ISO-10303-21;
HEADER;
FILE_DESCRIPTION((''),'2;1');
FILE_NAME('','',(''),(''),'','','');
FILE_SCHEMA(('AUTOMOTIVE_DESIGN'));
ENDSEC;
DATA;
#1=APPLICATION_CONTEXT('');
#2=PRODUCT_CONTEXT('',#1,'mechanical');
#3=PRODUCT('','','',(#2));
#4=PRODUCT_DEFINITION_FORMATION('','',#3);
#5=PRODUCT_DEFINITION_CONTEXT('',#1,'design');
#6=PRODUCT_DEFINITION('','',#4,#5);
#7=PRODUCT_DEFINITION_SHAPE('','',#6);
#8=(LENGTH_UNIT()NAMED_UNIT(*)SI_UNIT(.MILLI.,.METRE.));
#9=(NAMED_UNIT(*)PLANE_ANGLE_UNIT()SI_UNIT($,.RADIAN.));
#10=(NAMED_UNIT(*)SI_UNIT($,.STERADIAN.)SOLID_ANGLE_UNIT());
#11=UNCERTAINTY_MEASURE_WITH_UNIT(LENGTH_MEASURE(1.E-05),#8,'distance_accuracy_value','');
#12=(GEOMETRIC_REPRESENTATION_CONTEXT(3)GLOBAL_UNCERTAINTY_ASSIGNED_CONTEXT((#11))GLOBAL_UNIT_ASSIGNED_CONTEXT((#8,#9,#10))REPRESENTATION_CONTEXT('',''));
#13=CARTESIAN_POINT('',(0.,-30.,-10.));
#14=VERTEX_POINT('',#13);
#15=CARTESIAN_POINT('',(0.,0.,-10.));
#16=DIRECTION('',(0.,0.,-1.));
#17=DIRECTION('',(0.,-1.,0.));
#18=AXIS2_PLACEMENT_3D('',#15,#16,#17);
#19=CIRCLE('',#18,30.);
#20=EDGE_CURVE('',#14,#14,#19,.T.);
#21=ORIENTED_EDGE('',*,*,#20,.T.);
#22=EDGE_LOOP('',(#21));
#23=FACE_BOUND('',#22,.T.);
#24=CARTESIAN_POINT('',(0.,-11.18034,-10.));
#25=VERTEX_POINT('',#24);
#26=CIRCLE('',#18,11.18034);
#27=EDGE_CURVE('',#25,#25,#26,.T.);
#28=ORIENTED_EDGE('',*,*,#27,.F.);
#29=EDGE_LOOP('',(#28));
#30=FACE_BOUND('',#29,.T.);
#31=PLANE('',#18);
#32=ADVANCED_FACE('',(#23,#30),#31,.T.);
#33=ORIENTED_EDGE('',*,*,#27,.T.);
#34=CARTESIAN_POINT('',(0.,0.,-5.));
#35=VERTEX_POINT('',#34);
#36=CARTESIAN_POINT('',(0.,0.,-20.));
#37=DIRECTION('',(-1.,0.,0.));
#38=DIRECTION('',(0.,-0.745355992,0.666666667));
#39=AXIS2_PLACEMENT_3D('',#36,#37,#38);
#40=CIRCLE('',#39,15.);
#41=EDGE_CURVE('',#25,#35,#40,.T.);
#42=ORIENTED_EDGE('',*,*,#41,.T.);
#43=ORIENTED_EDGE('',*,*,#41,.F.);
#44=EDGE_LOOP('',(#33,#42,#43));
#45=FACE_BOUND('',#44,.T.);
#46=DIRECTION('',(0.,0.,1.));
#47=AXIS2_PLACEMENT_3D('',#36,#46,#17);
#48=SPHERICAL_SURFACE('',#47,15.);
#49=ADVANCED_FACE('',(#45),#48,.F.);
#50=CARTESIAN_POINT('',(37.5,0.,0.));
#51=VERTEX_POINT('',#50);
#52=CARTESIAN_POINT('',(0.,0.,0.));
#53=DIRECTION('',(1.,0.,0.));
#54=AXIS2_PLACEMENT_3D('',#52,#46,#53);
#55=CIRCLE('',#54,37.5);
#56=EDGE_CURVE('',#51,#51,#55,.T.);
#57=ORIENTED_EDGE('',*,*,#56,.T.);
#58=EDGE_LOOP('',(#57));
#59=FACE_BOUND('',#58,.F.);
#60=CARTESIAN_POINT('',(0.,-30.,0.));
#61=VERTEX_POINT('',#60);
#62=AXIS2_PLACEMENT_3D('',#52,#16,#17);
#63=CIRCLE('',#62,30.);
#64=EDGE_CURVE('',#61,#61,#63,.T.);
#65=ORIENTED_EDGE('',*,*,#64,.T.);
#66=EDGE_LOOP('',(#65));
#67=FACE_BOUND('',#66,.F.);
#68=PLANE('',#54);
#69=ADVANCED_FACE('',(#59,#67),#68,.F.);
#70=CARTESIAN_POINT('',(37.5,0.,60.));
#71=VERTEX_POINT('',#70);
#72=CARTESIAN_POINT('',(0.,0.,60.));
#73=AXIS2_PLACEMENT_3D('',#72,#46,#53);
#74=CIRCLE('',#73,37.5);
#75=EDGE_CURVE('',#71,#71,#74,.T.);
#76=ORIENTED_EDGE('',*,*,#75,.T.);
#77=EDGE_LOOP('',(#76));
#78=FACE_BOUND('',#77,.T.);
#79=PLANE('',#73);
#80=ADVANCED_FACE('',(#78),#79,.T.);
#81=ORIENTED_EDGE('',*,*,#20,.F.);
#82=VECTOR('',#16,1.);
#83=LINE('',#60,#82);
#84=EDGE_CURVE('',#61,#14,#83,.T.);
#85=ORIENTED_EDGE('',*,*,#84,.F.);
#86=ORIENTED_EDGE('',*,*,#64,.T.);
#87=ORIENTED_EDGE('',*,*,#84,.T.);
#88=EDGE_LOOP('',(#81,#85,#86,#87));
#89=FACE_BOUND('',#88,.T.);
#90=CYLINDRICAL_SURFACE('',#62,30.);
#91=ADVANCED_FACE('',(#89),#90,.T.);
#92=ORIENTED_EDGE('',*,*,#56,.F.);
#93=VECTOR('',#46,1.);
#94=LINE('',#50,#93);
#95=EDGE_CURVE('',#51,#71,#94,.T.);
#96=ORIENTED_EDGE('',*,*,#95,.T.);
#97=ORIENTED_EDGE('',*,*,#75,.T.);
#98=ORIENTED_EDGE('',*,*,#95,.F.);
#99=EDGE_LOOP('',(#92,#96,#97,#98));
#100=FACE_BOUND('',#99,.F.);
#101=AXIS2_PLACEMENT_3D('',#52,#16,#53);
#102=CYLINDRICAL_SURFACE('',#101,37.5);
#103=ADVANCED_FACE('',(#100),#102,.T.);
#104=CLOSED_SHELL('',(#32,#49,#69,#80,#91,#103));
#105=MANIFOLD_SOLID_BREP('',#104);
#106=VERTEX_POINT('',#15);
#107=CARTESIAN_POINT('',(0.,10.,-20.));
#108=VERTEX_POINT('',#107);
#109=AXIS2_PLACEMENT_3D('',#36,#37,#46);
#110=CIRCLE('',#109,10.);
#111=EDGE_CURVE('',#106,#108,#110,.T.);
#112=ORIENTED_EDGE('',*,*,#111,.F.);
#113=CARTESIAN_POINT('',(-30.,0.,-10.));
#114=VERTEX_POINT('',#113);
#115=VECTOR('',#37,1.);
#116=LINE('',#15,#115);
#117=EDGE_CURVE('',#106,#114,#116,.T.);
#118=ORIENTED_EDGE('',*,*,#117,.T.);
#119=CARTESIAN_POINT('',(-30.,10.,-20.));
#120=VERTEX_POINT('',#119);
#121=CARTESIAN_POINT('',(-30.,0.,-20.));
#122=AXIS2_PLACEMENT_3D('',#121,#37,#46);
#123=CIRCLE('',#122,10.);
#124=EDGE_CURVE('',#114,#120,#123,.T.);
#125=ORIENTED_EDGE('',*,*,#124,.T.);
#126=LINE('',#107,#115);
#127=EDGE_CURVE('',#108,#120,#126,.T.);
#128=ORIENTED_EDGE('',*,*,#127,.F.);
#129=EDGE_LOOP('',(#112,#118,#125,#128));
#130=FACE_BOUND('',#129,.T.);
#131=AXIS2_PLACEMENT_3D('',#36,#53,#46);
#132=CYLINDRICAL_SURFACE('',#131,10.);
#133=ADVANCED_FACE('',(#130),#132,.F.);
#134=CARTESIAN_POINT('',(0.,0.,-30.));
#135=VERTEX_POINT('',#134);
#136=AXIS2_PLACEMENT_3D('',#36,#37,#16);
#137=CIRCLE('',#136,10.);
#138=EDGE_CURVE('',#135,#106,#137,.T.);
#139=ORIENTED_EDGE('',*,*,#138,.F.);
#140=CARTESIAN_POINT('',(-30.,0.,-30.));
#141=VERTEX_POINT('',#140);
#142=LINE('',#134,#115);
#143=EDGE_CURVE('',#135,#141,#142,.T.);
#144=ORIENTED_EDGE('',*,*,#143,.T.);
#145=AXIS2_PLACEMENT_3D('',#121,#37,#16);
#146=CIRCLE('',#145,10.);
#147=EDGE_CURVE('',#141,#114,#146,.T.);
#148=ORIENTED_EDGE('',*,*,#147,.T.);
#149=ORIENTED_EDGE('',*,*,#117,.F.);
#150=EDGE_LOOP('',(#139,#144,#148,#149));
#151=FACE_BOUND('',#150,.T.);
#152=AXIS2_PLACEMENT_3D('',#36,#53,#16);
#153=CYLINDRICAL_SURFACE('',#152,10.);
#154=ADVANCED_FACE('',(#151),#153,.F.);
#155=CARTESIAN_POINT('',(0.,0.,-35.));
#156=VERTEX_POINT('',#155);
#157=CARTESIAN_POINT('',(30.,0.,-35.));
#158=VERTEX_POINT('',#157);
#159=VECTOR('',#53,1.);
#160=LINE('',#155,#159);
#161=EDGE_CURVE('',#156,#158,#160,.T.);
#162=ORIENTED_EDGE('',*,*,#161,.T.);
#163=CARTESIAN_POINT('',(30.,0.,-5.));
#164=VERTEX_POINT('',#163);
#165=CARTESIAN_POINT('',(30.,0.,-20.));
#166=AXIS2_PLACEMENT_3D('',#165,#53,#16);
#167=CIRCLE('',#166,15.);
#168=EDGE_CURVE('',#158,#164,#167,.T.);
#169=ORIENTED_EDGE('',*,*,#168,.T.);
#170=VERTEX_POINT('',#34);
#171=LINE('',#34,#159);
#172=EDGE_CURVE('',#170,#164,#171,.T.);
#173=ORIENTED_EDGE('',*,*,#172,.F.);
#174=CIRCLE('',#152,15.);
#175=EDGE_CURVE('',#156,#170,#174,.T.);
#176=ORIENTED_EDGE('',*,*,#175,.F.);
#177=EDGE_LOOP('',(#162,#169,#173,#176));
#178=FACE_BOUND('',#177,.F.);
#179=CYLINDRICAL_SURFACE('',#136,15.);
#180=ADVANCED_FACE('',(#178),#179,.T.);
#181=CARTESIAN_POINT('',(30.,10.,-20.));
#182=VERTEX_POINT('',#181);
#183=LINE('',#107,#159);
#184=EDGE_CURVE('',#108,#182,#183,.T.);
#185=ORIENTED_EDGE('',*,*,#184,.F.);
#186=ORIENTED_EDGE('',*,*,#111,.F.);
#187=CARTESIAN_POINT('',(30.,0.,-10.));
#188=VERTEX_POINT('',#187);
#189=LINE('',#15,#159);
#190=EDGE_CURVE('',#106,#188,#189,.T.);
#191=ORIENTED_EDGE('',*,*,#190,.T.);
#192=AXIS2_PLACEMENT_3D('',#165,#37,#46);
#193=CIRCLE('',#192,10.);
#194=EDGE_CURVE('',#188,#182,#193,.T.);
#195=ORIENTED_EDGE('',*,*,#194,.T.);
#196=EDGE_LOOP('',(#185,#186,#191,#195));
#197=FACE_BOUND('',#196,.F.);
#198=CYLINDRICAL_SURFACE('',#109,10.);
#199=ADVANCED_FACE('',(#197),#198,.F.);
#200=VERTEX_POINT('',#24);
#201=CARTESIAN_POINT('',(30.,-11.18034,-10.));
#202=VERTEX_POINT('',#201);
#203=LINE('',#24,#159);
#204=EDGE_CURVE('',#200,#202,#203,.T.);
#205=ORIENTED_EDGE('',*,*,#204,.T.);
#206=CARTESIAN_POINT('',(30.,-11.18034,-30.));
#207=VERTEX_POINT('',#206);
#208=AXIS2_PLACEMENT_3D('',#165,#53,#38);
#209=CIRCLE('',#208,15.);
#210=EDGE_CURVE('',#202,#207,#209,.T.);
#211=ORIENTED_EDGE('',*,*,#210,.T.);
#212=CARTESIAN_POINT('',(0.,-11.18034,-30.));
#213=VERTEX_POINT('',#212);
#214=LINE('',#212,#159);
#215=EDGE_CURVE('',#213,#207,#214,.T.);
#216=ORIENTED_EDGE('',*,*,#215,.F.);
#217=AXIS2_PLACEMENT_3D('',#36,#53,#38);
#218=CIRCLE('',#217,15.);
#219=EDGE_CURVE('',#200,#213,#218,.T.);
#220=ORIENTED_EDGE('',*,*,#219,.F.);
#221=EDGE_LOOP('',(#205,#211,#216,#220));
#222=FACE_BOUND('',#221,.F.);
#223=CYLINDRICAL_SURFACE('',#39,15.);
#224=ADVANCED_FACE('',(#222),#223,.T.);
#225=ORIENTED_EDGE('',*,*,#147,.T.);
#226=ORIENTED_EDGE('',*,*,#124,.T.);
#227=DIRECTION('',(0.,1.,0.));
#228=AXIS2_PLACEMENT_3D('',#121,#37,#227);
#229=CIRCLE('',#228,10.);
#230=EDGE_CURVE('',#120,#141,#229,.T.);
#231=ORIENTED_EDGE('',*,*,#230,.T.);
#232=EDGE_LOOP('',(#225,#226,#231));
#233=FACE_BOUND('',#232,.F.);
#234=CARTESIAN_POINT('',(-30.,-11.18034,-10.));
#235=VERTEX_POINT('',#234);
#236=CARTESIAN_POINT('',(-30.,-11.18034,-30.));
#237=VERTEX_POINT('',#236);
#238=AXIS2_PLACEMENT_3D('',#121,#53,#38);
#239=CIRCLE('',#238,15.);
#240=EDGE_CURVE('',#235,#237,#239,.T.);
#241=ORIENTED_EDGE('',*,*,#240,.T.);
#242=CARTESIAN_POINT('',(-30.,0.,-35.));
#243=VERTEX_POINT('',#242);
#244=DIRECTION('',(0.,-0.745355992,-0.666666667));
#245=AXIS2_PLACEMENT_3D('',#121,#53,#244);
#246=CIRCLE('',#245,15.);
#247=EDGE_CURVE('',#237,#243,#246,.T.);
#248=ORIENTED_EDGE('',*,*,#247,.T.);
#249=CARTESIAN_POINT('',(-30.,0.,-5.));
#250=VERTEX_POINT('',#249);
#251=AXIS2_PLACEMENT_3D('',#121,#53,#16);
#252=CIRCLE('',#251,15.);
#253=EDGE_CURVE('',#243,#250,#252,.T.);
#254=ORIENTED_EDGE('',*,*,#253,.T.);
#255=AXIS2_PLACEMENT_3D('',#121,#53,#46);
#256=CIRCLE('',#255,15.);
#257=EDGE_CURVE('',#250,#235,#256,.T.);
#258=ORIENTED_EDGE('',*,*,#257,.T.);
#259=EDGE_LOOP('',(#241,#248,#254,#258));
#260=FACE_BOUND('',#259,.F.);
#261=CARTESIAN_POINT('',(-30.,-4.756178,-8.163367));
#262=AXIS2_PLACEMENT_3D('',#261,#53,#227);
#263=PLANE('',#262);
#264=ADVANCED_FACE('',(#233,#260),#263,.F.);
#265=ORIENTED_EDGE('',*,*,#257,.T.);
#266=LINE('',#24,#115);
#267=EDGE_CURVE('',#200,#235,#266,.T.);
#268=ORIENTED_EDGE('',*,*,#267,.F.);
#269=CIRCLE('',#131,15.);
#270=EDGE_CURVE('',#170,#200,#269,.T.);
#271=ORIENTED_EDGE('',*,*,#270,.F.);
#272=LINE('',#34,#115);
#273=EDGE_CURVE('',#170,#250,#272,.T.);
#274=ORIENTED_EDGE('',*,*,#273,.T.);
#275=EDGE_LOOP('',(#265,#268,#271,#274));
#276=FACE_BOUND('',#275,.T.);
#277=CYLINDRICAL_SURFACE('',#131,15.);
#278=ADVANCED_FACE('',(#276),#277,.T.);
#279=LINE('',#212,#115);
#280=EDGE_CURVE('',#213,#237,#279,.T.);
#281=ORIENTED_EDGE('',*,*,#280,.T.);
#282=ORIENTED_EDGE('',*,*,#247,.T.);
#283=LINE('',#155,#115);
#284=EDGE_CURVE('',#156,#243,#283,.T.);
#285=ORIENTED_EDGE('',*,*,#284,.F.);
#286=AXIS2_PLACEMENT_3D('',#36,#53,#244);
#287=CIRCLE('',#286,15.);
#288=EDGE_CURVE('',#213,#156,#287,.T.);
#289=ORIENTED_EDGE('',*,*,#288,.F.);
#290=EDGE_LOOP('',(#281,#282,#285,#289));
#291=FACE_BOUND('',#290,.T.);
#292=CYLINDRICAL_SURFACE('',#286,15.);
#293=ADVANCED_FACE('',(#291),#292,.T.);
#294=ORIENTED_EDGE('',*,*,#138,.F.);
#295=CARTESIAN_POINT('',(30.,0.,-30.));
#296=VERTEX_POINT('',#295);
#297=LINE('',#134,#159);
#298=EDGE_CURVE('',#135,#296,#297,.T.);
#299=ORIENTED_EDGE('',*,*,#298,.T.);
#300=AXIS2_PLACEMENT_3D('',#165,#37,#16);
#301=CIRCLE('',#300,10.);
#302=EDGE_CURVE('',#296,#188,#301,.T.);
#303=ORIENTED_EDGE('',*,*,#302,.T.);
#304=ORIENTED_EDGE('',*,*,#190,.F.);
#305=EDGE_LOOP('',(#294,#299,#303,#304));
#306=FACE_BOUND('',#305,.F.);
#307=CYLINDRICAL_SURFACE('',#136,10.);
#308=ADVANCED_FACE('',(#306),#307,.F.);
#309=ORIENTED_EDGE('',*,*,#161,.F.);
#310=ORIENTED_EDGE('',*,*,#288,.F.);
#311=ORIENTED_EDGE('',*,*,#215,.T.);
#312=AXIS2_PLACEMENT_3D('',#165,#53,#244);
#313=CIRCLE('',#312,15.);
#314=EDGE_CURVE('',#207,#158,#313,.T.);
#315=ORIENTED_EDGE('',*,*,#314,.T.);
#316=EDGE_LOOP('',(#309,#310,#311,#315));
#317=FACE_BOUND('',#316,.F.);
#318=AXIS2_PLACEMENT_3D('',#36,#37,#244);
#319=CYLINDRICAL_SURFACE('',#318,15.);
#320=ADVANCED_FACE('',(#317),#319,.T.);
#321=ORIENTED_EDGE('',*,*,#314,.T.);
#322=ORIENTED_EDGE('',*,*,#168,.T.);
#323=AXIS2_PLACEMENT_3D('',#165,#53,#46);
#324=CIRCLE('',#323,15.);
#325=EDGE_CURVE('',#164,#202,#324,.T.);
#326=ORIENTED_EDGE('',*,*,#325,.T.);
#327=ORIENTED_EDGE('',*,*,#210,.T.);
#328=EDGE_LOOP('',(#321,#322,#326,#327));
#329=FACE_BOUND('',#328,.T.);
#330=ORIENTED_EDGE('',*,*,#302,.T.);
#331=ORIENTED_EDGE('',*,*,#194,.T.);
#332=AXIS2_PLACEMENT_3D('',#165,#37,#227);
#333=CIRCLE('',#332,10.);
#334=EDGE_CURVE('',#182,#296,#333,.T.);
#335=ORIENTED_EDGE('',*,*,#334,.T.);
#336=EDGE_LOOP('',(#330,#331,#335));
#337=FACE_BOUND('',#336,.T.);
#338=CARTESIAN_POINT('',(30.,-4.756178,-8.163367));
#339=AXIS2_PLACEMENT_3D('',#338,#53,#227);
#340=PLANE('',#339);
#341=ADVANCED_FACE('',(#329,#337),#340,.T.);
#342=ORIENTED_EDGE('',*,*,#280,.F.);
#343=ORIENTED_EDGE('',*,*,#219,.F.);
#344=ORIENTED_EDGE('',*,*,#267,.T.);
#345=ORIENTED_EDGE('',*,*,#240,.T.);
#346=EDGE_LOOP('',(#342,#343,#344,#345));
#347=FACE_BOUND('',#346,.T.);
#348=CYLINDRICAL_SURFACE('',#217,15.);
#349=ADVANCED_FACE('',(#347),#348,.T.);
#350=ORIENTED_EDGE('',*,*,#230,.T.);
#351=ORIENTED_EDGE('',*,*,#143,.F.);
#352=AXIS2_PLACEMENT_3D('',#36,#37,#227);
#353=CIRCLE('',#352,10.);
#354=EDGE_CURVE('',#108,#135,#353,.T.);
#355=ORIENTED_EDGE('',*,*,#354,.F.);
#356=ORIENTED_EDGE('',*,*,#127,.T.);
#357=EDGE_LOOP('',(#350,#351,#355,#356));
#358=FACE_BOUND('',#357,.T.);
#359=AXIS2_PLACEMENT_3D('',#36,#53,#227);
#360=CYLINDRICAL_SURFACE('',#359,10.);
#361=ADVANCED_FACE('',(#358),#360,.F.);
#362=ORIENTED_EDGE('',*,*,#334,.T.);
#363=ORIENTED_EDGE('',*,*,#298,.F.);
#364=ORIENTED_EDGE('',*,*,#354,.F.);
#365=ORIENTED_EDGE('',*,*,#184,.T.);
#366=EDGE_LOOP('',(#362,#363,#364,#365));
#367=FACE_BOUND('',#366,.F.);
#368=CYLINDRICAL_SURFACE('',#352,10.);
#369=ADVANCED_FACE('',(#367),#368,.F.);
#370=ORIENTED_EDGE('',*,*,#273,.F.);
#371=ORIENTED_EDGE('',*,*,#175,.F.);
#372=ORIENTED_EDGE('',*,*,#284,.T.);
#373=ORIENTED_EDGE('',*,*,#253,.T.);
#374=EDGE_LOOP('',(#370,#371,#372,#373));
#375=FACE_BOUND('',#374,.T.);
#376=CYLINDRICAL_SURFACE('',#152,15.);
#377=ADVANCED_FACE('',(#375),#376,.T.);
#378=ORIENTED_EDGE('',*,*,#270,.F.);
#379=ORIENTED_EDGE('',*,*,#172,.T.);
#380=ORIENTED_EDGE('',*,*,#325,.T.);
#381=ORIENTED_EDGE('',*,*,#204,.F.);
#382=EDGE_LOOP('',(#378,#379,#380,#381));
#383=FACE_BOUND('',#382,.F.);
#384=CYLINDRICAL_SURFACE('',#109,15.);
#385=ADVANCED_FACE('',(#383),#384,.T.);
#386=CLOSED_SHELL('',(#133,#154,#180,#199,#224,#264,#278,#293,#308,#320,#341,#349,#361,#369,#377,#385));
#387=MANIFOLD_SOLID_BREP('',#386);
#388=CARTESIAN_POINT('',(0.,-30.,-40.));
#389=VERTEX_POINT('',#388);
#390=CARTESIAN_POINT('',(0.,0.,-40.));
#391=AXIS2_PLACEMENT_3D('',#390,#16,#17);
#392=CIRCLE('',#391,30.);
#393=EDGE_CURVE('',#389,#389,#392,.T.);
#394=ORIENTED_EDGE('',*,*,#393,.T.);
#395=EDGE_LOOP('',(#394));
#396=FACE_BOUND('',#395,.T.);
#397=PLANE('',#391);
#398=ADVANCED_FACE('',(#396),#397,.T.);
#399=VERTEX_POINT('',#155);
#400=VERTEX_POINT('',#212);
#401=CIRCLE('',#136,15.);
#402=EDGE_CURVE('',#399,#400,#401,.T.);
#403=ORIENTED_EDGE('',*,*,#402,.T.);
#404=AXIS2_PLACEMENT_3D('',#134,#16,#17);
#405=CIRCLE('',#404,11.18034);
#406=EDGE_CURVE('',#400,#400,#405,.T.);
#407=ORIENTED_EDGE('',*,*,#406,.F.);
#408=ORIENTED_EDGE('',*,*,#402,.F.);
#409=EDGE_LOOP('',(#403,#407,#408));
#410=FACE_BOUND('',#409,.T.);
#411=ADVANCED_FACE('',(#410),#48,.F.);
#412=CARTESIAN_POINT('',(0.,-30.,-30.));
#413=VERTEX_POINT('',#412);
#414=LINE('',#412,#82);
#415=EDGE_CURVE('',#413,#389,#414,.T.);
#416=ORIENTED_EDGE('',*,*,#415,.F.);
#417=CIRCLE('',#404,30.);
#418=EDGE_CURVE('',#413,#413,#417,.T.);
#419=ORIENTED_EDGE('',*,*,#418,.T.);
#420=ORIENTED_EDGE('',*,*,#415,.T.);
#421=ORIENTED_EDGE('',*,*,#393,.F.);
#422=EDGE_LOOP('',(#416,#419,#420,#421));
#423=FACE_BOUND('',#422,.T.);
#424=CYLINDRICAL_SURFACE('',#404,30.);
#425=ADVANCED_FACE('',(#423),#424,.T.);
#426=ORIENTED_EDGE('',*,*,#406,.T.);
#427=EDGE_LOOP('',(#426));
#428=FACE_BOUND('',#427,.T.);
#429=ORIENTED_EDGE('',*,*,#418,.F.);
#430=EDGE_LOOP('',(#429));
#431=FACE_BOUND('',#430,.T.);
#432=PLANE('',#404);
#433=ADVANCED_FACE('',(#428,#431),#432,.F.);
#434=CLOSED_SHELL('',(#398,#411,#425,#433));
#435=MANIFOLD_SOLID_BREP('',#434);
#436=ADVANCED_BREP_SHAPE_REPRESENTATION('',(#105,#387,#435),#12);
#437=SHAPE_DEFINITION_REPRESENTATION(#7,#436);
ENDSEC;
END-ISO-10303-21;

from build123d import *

# Parameters (mm, degrees)
F0_R          = 37.5
F0_R_2        = 32.4999988079
F1_DEPTH      = 60
F4_DEPTH      = 30
F4_DEPTH_BACK = 30


with BuildPart() as f1:
    # F0 (on Top) → F1 (new body)
    with BuildSketch(Plane.XY):
        Circle(F0_R)
        Circle(F0_R_2, mode=Mode.SUBTRACT)
        Circle(F0_R_2)
    extrude(amount=F1_DEPTH)

    # F2 (on Right) → F3 (revolve)
    with BuildSketch(Plane.YZ):
        with BuildLine():
            ThreePointArc((-11.1803398875, -10), (-6.123724357, -6.3069360624), (0, -5))
            Line((0, -5), (0, 0))
            Line((0, 0), (-30, 0))
            Line((-30, 0), (-30, -10))
            Line((-30, -10), (-11.1803398875, -10))
        make_face()
    revolve(axis=Axis((0, 0, -10), (0, 0, -1)))


with BuildPart() as f3:
    # F2 (on Right) → F3, piece 2 (revolve)
    with BuildSketch(Plane.YZ):
        with BuildLine():
            Line((0, -40), (0, -35))
            ThreePointArc((0, -35), (-6.123724357, -33.6930639376), (-11.1803398875, -30))
            Line((-11.1803398875, -30), (-30, -30))
            Line((-30, -30), (-30, -40))
            Line((-30, -40), (0, -40))
        make_face()
    revolve(axis=Axis((0, 0, -10), (0, 0, -1)))


with BuildPart() as f4:
    # F2 (on Right) → F4 (new body, two sides)
    with BuildSketch(Plane.YZ) as f4_sk:
        with BuildLine():
            Line((-11.1803398875, -10), (0, -10))
            Line((0, -10), (0, -5))
            ThreePointArc((0, -5), (-6.123724357, -6.3069360624), (-11.1803398875, -10))
        make_face()
        with BuildLine():
            ThreePointArc((0, -30), (-10, -20), (0, -10))
            Line((0, -10), (-11.1803398875, -10))
            ThreePointArc((-11.1803398875, -10), (-15, -20), (-11.1803398875, -30))
            Line((-11.1803398875, -30), (0, -30))
        make_face()
        with BuildLine():
            Line((0, -35), (0, -30))
            Line((0, -30), (-11.1803398875, -30))
            ThreePointArc((-11.1803398875, -30), (-6.123724357, -33.6930639376), (0, -35))
        make_face()
        with BuildLine():
            Line((0, -5), (0, -10))
            ThreePointArc((0, -10), (7.0710678119, -12.9289321881), (10, -20))
            ThreePointArc((10, -20), (7.0710678119, -27.0710678119), (0, -30))
            Line((0, -30), (0, -35))
            ThreePointArc((0, -35), (10.6066017178, -30.6066017178), (15, -20))
            ThreePointArc((15, -20), (10.6066017178, -9.3933982822), (0, -5))
        make_face()
    extrude(amount=F4_DEPTH)
    extrude(f4_sk.sketch, amount=-F4_DEPTH_BACK)


solid = Compound([f1.part, f3.part, f4.part])
